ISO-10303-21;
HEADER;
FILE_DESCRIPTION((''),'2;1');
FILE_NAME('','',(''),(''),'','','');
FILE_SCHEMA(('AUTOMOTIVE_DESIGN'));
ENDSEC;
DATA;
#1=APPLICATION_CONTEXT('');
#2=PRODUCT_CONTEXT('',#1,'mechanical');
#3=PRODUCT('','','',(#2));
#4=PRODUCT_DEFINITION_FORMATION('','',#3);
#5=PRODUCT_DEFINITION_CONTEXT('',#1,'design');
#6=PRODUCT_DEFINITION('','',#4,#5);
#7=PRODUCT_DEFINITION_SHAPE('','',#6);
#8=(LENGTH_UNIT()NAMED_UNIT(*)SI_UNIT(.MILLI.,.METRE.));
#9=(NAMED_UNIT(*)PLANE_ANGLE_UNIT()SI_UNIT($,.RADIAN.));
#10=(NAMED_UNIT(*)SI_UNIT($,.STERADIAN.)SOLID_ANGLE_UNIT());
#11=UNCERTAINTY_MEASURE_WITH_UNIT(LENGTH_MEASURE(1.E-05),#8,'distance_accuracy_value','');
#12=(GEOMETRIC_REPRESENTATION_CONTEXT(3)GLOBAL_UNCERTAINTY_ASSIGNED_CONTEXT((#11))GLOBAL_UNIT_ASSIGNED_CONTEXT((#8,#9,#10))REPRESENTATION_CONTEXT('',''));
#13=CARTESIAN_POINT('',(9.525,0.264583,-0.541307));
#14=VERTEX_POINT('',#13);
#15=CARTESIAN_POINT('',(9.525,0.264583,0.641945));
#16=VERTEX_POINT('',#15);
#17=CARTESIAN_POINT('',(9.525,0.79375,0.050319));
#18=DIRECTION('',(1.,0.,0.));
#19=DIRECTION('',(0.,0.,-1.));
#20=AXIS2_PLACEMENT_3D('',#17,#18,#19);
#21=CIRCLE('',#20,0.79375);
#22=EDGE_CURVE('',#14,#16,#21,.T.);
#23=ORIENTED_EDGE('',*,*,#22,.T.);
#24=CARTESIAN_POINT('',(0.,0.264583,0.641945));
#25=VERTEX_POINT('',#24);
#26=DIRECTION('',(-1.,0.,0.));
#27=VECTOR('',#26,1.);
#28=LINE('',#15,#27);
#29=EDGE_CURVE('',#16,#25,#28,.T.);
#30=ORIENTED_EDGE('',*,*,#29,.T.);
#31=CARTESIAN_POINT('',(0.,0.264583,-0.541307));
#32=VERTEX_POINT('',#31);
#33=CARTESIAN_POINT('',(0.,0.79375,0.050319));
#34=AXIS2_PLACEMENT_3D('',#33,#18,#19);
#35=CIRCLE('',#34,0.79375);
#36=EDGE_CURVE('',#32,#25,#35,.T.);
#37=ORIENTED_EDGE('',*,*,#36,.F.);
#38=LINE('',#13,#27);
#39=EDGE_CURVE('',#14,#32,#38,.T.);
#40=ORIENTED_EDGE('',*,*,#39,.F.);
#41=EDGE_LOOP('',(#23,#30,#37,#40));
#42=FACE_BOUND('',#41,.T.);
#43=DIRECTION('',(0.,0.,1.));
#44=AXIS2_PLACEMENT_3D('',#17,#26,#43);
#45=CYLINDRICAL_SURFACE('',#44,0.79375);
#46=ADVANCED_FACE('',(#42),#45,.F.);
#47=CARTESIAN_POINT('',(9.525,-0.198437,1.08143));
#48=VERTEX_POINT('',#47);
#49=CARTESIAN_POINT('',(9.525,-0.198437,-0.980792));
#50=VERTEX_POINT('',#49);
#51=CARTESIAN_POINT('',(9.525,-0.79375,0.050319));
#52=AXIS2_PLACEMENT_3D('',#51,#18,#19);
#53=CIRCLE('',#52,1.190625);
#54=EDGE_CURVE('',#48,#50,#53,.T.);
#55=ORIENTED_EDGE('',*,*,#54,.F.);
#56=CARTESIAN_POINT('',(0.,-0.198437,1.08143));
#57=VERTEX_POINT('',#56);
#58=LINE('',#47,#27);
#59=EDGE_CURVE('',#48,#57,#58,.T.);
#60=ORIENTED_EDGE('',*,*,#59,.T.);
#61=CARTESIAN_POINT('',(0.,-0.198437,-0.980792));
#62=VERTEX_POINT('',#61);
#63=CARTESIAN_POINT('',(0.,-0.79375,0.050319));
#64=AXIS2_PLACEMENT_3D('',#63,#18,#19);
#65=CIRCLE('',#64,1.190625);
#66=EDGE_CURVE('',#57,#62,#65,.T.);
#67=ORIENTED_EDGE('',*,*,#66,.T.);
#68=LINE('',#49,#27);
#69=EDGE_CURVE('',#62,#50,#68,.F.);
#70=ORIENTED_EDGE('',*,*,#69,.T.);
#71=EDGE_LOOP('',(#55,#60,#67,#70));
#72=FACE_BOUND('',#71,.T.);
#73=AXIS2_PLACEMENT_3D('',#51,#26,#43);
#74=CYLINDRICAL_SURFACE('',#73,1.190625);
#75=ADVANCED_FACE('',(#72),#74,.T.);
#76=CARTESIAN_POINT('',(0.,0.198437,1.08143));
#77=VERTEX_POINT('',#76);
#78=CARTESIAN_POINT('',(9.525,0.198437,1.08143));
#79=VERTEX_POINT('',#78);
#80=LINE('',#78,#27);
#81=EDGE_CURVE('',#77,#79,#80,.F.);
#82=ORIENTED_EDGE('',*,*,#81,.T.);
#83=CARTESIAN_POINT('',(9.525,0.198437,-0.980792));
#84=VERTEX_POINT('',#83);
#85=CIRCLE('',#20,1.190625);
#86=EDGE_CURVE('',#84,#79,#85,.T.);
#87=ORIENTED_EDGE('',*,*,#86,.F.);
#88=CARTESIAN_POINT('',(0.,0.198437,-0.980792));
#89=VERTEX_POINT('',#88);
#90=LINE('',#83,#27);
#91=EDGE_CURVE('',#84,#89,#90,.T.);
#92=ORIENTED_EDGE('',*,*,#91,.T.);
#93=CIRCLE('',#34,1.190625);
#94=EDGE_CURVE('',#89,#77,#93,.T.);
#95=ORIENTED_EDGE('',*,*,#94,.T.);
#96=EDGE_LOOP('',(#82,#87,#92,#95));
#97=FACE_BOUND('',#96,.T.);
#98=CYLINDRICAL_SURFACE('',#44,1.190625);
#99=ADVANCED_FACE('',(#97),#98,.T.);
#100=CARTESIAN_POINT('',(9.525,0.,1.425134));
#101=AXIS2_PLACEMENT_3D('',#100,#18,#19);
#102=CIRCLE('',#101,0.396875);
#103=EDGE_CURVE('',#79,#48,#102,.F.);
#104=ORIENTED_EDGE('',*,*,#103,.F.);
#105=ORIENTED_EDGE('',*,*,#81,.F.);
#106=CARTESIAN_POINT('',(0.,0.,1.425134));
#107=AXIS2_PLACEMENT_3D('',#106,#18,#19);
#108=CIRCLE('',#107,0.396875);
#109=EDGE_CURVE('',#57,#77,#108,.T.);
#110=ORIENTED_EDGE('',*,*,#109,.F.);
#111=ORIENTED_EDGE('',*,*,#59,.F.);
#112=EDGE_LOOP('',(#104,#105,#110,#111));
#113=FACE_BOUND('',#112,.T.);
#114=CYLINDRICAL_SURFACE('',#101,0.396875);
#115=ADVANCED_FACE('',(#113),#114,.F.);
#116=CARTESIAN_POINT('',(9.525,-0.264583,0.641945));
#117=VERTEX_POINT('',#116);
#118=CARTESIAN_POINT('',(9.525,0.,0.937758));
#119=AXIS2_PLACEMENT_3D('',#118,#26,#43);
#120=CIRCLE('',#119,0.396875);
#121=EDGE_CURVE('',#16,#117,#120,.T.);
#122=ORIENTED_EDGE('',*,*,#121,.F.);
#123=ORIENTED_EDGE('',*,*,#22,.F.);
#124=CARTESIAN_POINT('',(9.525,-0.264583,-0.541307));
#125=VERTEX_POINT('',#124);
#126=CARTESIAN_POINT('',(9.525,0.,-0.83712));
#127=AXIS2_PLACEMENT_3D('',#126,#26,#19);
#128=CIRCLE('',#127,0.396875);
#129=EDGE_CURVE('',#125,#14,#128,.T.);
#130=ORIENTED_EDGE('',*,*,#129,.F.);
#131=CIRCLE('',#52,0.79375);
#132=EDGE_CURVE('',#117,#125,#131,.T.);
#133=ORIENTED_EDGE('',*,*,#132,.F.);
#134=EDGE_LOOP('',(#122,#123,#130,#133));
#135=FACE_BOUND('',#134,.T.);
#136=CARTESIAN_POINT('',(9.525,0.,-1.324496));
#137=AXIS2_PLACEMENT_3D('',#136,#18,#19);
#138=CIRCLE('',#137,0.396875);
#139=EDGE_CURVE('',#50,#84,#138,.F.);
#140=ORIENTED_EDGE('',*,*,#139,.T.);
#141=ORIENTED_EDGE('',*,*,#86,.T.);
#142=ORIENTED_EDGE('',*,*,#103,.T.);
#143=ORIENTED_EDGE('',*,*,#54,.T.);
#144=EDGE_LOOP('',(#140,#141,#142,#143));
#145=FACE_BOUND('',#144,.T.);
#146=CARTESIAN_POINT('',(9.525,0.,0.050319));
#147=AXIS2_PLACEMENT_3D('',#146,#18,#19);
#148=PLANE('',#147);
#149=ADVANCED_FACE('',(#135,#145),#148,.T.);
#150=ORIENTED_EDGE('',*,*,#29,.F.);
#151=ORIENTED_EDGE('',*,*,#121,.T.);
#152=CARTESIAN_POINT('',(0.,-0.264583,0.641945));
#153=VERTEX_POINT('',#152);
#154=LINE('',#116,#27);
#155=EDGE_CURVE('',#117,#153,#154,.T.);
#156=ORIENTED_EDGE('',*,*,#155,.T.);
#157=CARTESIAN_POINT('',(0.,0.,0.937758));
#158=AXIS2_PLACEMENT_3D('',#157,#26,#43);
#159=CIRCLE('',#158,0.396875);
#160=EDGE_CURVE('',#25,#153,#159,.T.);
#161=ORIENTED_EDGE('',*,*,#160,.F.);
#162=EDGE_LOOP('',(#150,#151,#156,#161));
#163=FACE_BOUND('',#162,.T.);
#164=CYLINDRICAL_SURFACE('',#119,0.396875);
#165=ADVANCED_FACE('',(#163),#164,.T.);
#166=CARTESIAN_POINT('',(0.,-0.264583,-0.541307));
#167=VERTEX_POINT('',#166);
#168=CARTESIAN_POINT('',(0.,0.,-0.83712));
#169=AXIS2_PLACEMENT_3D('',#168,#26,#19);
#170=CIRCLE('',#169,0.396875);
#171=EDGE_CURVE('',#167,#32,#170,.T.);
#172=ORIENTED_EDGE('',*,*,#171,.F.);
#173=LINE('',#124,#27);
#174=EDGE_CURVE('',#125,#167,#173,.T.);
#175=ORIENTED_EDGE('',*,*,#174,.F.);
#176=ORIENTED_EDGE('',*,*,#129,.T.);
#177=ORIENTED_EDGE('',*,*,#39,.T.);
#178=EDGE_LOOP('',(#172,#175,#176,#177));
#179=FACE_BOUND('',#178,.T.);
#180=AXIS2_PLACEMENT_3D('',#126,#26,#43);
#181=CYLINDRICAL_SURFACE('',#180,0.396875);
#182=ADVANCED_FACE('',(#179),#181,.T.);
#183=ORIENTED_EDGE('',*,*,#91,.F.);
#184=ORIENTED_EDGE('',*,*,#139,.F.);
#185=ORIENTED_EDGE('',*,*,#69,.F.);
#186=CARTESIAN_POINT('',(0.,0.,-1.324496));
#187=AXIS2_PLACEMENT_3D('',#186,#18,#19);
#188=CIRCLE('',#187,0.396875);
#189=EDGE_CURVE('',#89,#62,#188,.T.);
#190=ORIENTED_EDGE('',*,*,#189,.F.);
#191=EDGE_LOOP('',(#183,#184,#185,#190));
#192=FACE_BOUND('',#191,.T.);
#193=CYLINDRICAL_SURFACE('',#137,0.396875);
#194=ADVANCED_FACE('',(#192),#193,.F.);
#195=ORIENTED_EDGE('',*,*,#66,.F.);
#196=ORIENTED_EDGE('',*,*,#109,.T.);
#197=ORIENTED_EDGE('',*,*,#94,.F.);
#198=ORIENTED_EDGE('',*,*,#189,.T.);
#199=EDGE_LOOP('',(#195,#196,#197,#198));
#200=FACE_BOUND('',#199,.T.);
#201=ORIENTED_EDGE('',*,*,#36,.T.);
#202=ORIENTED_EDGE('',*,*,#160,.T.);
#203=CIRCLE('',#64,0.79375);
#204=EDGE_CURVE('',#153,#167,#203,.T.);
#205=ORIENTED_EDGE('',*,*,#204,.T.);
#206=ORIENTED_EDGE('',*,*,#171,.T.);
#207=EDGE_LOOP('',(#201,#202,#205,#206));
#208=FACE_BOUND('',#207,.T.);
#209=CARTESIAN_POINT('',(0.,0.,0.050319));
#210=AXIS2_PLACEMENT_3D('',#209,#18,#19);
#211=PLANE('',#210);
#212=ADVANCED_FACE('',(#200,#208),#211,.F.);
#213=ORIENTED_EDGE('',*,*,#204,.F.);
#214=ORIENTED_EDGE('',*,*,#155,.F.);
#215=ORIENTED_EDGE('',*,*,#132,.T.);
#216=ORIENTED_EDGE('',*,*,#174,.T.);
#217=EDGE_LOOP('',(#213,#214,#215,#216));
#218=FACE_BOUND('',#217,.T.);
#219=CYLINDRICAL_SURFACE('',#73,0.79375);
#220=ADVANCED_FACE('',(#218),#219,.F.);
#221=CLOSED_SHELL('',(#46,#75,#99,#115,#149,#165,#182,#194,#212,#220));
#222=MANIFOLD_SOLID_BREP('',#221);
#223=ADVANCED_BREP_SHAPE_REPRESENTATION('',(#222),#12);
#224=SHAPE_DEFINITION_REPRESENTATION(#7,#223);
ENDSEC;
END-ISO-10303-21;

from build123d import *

# Parameters (mm, degrees)
BOSS_EXTRUDE1_DEPTH = 9.525
FILLET1_R           = 0.396875


with BuildPart() as part:
    # Sketch1 → Boss-Extrude1 (new body)
    with BuildSketch(Plane(origin=(0, 0, 0), x_dir=(0, 0, -1), z_dir=(1, 0, 0))):
        with BuildLine():
            ThreePointArc((0.83712048, 0), (-0.050318999, 1.984375), (-0.937758477, 0))
            ThreePointArc((-0.937758477, 0), (-0.050318999, -1.984375), (0.83712048, 0))
        make_face()
        with BuildLine():
            ThreePointArc((0.54130732, 0.264583333), (-0.050318999, 1.5875), (-0.641945318, 0.264583333))
            ThreePointArc((-0.641945318, 0.264583333), (-0.540883477, 0), (-0.641945318, -0.264583333))
            ThreePointArc((-0.641945318, -0.264583333), (-0.050318999, -1.5875), (0.54130732, -0.264583333))
            ThreePointArc((0.54130732, -0.264583333), (0.44024548, 0), (0.54130732, 0.264583333))
        make_face(mode=Mode.SUBTRACT)
    extrude(amount=BOSS_EXTRUDE1_DEPTH)

    # Fillet1
    fillet1_edges = [part.edges().sort_by_distance(p)[0] for p in [
        (4.7625, 0, 0.937758477),
        (4.7625, 0, -0.83712048),
    ]]
    fillet(fillet1_edges, radius=FILLET1_R)


solid = part.part
